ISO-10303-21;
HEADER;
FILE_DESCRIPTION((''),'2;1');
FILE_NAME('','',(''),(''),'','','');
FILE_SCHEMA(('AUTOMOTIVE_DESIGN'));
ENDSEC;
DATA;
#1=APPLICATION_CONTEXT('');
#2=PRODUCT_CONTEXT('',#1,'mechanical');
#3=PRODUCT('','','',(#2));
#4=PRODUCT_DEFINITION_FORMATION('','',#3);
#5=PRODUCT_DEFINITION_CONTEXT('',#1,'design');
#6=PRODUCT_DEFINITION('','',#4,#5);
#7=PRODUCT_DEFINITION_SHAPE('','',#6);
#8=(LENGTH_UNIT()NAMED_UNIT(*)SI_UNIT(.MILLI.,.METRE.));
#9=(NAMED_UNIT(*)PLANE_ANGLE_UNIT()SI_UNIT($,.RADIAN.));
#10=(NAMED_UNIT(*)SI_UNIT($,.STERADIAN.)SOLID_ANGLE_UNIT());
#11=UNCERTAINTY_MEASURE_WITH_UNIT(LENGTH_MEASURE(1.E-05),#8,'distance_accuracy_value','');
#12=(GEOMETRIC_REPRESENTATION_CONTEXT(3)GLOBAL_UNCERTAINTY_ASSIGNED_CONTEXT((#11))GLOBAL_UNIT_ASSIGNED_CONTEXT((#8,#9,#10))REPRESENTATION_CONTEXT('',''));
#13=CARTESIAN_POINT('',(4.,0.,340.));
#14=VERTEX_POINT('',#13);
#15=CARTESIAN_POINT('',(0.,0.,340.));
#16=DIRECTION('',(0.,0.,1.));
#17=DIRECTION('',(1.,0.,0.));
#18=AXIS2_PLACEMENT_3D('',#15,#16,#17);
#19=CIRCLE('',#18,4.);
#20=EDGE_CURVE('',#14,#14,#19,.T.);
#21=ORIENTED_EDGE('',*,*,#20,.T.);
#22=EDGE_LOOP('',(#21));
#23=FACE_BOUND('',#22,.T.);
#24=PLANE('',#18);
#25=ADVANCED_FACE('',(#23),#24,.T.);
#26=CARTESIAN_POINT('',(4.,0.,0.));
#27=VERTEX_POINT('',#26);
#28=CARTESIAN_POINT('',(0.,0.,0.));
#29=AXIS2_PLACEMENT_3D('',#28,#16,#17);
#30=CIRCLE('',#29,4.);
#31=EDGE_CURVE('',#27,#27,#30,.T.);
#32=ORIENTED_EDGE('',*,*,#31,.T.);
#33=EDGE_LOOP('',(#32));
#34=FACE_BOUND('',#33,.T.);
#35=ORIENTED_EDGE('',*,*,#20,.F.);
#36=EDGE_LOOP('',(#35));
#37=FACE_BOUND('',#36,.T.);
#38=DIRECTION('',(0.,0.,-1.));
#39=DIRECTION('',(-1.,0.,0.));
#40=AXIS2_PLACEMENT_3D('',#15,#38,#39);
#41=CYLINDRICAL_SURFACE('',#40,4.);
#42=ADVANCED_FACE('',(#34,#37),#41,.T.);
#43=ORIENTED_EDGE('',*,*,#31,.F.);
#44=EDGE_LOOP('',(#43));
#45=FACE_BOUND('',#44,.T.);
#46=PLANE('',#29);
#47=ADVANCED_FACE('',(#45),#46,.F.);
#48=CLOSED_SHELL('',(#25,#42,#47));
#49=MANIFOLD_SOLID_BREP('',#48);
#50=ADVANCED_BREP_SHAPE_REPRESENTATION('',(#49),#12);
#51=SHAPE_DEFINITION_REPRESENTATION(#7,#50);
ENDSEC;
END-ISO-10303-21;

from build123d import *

# Parameters (mm, degrees)
SKETCH1_R           = 4
BOSS_EXTRUDE1_DEPTH = 340


with BuildPart() as part:
    # Sketch1 → Boss-Extrude1 (new body)
    with BuildSketch(Plane.XY):
        Circle(SKETCH1_R)
    extrude(amount=BOSS_EXTRUDE1_DEPTH)


solid = part.part
